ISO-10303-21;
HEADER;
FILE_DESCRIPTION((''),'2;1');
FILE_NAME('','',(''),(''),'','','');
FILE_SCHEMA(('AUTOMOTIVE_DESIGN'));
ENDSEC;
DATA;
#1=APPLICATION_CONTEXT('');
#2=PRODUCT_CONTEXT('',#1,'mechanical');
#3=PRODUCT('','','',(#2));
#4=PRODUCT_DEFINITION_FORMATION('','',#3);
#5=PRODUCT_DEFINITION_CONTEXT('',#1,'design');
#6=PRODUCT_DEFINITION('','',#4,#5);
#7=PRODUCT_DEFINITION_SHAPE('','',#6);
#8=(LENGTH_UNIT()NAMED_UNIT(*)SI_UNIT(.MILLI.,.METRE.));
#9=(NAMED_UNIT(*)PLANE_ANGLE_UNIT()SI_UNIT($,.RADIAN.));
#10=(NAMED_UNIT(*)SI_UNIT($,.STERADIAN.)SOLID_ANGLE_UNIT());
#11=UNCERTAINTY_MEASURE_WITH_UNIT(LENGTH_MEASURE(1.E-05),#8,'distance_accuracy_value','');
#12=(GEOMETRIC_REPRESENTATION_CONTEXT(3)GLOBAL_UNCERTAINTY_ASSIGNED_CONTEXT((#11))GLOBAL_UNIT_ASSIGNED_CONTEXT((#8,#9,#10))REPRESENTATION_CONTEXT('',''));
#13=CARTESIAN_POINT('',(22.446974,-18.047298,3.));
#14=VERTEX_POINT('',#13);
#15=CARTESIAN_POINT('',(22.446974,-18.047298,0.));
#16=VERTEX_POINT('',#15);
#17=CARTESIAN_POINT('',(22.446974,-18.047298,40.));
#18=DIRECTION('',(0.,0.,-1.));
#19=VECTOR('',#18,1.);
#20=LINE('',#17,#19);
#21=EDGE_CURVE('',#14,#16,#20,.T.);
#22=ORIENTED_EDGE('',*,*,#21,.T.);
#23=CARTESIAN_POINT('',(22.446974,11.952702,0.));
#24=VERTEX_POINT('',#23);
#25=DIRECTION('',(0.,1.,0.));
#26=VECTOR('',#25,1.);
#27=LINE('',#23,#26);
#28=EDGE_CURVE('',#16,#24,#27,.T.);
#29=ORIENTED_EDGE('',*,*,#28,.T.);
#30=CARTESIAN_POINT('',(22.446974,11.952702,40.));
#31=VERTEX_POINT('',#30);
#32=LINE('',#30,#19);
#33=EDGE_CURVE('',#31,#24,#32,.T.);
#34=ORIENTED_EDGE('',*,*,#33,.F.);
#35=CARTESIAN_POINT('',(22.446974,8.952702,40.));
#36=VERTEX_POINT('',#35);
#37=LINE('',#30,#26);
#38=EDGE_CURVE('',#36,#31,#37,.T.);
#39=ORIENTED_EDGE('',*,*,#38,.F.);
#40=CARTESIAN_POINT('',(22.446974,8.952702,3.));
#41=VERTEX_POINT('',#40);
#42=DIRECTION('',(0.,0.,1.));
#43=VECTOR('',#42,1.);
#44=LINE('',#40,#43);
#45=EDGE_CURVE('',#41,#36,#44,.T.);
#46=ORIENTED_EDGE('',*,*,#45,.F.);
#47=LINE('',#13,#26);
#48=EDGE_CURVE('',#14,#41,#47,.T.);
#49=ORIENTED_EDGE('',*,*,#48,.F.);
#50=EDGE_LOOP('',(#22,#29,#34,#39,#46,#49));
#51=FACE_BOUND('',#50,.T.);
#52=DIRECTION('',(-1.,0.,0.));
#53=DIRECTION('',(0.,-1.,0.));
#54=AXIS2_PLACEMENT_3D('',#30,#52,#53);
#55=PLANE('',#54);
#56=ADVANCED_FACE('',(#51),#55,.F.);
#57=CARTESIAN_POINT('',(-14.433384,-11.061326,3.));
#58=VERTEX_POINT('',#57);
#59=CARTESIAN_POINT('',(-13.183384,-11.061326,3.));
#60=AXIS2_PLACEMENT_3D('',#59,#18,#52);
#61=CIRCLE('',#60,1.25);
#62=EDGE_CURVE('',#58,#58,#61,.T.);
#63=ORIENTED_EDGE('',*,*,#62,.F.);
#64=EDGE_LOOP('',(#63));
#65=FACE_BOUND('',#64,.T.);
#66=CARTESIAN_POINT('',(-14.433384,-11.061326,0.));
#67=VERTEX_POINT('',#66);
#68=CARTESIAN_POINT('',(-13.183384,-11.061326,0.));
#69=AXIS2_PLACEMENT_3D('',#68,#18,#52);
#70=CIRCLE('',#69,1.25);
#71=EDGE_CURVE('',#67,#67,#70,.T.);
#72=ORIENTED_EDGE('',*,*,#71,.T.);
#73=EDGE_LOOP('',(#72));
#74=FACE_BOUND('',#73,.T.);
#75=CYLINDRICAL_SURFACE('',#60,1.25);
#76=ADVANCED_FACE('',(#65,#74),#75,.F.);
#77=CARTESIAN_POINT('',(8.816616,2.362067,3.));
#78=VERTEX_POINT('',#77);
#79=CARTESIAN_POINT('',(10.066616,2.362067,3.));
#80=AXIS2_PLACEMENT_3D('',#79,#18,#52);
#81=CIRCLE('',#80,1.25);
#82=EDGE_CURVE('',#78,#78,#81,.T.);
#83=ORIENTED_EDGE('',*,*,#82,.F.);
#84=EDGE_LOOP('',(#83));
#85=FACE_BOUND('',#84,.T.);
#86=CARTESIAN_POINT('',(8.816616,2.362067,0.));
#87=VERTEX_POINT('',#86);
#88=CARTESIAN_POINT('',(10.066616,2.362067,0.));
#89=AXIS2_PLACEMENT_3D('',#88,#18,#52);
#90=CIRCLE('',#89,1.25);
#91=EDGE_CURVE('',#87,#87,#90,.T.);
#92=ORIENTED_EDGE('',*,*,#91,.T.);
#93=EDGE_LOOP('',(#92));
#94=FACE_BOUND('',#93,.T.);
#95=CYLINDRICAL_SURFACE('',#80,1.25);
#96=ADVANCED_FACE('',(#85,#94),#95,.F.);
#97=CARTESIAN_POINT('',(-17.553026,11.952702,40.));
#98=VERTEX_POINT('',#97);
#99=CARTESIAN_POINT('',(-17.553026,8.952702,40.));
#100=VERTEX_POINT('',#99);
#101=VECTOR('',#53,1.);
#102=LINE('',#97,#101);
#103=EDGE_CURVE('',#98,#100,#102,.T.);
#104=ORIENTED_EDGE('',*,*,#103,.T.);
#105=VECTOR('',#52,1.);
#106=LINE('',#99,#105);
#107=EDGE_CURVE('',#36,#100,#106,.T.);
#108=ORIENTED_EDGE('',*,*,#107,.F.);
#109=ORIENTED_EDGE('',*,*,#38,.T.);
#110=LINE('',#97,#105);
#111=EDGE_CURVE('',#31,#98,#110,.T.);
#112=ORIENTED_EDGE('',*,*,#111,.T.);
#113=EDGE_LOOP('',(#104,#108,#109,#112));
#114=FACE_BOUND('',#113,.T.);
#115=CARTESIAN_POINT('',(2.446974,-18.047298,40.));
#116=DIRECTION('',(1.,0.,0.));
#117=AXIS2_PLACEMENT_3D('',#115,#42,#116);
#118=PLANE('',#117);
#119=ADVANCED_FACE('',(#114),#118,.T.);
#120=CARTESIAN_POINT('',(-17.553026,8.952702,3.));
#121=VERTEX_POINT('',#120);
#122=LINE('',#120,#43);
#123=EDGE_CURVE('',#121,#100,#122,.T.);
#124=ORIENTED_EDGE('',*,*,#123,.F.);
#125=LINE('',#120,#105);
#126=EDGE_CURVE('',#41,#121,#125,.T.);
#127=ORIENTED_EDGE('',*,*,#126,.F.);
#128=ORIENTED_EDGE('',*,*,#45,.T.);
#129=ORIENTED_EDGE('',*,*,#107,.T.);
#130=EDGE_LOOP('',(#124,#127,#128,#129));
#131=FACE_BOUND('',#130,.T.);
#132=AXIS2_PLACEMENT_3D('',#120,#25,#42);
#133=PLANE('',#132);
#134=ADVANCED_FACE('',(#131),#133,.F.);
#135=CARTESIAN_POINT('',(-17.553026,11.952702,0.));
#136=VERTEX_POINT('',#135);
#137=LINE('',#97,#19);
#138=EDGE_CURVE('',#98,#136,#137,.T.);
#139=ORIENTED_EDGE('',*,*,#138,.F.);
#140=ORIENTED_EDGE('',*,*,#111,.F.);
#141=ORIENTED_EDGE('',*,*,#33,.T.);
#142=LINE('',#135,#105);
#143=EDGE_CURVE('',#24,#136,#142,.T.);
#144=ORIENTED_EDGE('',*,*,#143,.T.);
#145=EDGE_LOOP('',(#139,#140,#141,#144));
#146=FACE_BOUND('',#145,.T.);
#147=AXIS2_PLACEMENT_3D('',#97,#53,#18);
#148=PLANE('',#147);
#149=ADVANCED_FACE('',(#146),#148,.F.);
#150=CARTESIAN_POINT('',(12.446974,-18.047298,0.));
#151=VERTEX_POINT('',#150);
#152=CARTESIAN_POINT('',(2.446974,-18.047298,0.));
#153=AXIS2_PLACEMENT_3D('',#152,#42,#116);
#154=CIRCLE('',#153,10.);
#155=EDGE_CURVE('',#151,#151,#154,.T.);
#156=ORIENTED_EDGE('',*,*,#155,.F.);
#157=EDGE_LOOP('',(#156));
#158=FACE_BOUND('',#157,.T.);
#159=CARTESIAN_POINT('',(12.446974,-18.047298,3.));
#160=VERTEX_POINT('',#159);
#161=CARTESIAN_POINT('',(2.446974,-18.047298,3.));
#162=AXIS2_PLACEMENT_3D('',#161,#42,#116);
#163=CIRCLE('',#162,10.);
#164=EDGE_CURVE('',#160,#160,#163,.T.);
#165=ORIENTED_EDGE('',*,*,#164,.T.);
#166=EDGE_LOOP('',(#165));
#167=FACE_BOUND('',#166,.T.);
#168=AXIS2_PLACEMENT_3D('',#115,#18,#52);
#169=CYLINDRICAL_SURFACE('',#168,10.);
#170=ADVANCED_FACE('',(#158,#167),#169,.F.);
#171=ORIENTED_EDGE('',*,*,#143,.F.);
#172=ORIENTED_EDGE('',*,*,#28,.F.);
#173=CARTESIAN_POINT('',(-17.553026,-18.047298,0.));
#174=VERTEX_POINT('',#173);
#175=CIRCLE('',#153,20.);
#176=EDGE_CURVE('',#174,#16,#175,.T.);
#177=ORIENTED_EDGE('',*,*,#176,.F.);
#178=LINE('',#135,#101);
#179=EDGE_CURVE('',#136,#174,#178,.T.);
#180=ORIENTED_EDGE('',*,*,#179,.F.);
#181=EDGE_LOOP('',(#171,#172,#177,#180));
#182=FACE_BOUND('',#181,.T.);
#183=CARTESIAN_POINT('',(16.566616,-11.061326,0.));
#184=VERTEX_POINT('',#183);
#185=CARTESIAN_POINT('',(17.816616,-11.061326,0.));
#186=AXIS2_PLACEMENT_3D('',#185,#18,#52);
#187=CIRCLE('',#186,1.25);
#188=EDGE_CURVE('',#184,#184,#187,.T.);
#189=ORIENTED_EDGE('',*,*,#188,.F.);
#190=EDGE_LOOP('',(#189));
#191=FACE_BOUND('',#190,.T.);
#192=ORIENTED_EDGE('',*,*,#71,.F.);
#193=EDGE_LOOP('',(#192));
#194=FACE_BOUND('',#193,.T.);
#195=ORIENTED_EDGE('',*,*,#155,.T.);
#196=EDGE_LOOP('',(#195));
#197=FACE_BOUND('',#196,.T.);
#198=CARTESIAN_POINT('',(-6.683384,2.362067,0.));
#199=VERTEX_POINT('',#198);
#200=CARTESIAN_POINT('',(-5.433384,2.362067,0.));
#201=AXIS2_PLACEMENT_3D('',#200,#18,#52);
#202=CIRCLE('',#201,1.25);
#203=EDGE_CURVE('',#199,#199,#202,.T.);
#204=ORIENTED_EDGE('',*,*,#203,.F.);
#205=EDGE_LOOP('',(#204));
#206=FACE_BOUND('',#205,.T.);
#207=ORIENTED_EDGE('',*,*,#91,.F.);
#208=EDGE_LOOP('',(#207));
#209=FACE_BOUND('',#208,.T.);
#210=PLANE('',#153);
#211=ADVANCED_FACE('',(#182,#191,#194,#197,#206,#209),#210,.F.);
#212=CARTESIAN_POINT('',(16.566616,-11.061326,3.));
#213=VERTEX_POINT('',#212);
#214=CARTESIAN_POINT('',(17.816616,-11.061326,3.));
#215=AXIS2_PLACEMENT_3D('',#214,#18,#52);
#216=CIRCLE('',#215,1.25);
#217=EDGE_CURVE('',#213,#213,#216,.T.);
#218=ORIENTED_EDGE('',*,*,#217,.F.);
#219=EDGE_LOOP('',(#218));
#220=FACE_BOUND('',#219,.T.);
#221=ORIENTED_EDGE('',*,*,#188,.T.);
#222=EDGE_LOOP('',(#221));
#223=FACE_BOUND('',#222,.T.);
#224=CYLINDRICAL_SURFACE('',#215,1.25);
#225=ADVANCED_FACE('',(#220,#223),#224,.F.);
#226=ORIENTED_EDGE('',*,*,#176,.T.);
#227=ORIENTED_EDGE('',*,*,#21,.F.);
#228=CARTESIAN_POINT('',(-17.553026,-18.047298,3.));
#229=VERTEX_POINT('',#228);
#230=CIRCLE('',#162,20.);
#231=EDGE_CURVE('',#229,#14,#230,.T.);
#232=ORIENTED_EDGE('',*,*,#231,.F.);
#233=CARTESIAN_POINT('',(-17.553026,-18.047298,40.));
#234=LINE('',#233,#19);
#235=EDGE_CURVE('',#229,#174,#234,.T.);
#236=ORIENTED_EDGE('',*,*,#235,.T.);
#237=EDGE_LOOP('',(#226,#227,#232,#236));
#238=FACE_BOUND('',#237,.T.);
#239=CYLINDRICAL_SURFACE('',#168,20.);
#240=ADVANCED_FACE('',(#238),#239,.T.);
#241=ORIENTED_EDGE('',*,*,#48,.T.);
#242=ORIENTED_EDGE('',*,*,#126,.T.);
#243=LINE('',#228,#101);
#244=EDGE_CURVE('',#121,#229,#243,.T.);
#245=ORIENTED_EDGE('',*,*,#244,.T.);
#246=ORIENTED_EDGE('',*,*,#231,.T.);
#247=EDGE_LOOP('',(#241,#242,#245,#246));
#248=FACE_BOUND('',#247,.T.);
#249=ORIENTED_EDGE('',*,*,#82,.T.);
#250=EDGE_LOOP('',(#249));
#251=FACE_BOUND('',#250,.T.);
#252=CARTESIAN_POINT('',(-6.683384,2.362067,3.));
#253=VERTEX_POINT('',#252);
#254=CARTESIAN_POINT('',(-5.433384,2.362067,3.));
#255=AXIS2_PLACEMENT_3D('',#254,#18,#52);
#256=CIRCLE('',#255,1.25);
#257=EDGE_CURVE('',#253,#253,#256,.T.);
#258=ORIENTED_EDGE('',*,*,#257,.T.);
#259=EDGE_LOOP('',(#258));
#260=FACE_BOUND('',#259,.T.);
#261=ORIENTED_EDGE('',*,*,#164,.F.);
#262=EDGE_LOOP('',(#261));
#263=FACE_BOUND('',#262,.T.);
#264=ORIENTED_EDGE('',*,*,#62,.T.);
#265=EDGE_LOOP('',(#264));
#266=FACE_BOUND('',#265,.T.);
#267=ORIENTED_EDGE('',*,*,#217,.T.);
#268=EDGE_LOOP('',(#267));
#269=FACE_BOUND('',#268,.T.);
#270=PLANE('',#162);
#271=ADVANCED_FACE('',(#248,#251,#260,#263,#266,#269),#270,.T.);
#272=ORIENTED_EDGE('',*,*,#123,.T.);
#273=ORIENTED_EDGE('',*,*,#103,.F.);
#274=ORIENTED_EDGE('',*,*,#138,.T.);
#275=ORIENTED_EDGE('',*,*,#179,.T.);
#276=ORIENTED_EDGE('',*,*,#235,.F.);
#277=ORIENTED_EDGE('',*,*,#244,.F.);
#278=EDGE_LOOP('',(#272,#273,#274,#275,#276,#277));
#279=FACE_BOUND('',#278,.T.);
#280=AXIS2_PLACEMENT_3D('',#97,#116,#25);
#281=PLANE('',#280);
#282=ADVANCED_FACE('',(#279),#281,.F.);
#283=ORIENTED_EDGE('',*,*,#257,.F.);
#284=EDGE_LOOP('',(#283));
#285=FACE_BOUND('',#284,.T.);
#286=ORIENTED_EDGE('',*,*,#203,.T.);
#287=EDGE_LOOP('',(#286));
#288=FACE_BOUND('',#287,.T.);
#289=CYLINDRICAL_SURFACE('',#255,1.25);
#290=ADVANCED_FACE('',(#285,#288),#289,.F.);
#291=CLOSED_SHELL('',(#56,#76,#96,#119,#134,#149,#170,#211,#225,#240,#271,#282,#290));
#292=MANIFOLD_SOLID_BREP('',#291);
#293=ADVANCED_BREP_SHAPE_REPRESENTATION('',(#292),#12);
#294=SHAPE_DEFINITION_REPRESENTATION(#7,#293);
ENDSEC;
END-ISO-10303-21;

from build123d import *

# Parameters (mm, degrees)
SKETCH_1_R          = 10
EXTRUDE_2_DEPTH     = 40
CUT_EXTRUDE_START   = -37
CUT_EXTRUDE_1_DEPTH = 37
SKETCH_5_R          = 1.25
CUT_EXTRUDE_4_DEPTH = 3
SKETCH_6_R          = 1.25
CUT_EXTRUDE_5_DEPTH = 3
SKETCH_7_R          = 1.25
CUT_EXTRUDE_6_DEPTH = 3
SKETCH_8_R          = 1.25
CUT_EXTRUDE_7_DEPTH = 3


with BuildPart() as part:
    # 草图1 → 凸台-拉伸2 (new body)
    with BuildSketch(Plane.XY):
        with BuildLine():
            Line((-17.553025885, 11.952701951), (22.446974115, 11.952701951))
            Line((22.446974115, 11.952701951), (22.446974115, -18.047298049))
            ThreePointArc((22.446974115, -18.047298049), (2.446974115, -38.047298049), (-17.553025885, -18.047298049))
            Line((-17.553025885, -18.047298049), (-17.553025885, 11.952701951))
        make_face()
        with Locations((2.446974115, -18.047298049)):
            Circle(SKETCH_1_R, mode=Mode.SUBTRACT)
    extrude(amount=EXTRUDE_2_DEPTH)

    # 草图2 → 切除-拉伸1 (cut)
    with BuildSketch(Plane.XY.offset(40).offset(CUT_EXTRUDE_START)):
        with BuildLine():
            Line((-17.553025885, -18.047298049), (-17.553025885, 8.952701951))
            Line((-17.553025885, 8.952701951), (22.446974115, 8.952701951))
            Line((22.446974115, 8.952701951), (22.446974115, -18.047298049))
            ThreePointArc((22.446974115, -18.047298049), (2.446974115, -38.047298049), (-17.553025885, -18.047298049))
        make_face()
    extrude(amount=CUT_EXTRUDE_1_DEPTH, mode=Mode.SUBTRACT)

    # 草图5 → 切除-拉伸4 (cut)
    with BuildSketch(Plane(origin=(0, 0, 0), x_dir=(-1, 0, 0), z_dir=(0, 0, -1))):
        with Locations((-10.066616202, 2.362067463)):
            Circle(SKETCH_5_R)
    extrude(amount=-CUT_EXTRUDE_4_DEPTH, mode=Mode.SUBTRACT)

    # 草图6 → 切除-拉伸5 (cut)
    with BuildSketch(Plane(origin=(0, 0, 0), x_dir=(-1, 0, 0), z_dir=(0, 0, -1))):
        with Locations((5.433383798, 2.362067463)):
            Circle(SKETCH_6_R)
    extrude(amount=-CUT_EXTRUDE_5_DEPTH, mode=Mode.SUBTRACT)

    # 草图7 → 切除-拉伸6 (cut)
    with BuildSketch(Plane(origin=(0, 0, 0), x_dir=(-1, 0, 0), z_dir=(0, 0, -1))):
        with Locations((-17.816616202, -11.061326295)):
            Circle(SKETCH_7_R)
    extrude(amount=-CUT_EXTRUDE_6_DEPTH, mode=Mode.SUBTRACT)

    # 草图8 → 切除-拉伸7 (cut)
    with BuildSketch(Plane(origin=(0, 0, 0), x_dir=(-1, 0, 0), z_dir=(0, 0, -1))):
        with Locations((13.183383798, -11.061326295)):
            Circle(SKETCH_8_R)
    extrude(amount=-CUT_EXTRUDE_7_DEPTH, mode=Mode.SUBTRACT)


solid = part.part
